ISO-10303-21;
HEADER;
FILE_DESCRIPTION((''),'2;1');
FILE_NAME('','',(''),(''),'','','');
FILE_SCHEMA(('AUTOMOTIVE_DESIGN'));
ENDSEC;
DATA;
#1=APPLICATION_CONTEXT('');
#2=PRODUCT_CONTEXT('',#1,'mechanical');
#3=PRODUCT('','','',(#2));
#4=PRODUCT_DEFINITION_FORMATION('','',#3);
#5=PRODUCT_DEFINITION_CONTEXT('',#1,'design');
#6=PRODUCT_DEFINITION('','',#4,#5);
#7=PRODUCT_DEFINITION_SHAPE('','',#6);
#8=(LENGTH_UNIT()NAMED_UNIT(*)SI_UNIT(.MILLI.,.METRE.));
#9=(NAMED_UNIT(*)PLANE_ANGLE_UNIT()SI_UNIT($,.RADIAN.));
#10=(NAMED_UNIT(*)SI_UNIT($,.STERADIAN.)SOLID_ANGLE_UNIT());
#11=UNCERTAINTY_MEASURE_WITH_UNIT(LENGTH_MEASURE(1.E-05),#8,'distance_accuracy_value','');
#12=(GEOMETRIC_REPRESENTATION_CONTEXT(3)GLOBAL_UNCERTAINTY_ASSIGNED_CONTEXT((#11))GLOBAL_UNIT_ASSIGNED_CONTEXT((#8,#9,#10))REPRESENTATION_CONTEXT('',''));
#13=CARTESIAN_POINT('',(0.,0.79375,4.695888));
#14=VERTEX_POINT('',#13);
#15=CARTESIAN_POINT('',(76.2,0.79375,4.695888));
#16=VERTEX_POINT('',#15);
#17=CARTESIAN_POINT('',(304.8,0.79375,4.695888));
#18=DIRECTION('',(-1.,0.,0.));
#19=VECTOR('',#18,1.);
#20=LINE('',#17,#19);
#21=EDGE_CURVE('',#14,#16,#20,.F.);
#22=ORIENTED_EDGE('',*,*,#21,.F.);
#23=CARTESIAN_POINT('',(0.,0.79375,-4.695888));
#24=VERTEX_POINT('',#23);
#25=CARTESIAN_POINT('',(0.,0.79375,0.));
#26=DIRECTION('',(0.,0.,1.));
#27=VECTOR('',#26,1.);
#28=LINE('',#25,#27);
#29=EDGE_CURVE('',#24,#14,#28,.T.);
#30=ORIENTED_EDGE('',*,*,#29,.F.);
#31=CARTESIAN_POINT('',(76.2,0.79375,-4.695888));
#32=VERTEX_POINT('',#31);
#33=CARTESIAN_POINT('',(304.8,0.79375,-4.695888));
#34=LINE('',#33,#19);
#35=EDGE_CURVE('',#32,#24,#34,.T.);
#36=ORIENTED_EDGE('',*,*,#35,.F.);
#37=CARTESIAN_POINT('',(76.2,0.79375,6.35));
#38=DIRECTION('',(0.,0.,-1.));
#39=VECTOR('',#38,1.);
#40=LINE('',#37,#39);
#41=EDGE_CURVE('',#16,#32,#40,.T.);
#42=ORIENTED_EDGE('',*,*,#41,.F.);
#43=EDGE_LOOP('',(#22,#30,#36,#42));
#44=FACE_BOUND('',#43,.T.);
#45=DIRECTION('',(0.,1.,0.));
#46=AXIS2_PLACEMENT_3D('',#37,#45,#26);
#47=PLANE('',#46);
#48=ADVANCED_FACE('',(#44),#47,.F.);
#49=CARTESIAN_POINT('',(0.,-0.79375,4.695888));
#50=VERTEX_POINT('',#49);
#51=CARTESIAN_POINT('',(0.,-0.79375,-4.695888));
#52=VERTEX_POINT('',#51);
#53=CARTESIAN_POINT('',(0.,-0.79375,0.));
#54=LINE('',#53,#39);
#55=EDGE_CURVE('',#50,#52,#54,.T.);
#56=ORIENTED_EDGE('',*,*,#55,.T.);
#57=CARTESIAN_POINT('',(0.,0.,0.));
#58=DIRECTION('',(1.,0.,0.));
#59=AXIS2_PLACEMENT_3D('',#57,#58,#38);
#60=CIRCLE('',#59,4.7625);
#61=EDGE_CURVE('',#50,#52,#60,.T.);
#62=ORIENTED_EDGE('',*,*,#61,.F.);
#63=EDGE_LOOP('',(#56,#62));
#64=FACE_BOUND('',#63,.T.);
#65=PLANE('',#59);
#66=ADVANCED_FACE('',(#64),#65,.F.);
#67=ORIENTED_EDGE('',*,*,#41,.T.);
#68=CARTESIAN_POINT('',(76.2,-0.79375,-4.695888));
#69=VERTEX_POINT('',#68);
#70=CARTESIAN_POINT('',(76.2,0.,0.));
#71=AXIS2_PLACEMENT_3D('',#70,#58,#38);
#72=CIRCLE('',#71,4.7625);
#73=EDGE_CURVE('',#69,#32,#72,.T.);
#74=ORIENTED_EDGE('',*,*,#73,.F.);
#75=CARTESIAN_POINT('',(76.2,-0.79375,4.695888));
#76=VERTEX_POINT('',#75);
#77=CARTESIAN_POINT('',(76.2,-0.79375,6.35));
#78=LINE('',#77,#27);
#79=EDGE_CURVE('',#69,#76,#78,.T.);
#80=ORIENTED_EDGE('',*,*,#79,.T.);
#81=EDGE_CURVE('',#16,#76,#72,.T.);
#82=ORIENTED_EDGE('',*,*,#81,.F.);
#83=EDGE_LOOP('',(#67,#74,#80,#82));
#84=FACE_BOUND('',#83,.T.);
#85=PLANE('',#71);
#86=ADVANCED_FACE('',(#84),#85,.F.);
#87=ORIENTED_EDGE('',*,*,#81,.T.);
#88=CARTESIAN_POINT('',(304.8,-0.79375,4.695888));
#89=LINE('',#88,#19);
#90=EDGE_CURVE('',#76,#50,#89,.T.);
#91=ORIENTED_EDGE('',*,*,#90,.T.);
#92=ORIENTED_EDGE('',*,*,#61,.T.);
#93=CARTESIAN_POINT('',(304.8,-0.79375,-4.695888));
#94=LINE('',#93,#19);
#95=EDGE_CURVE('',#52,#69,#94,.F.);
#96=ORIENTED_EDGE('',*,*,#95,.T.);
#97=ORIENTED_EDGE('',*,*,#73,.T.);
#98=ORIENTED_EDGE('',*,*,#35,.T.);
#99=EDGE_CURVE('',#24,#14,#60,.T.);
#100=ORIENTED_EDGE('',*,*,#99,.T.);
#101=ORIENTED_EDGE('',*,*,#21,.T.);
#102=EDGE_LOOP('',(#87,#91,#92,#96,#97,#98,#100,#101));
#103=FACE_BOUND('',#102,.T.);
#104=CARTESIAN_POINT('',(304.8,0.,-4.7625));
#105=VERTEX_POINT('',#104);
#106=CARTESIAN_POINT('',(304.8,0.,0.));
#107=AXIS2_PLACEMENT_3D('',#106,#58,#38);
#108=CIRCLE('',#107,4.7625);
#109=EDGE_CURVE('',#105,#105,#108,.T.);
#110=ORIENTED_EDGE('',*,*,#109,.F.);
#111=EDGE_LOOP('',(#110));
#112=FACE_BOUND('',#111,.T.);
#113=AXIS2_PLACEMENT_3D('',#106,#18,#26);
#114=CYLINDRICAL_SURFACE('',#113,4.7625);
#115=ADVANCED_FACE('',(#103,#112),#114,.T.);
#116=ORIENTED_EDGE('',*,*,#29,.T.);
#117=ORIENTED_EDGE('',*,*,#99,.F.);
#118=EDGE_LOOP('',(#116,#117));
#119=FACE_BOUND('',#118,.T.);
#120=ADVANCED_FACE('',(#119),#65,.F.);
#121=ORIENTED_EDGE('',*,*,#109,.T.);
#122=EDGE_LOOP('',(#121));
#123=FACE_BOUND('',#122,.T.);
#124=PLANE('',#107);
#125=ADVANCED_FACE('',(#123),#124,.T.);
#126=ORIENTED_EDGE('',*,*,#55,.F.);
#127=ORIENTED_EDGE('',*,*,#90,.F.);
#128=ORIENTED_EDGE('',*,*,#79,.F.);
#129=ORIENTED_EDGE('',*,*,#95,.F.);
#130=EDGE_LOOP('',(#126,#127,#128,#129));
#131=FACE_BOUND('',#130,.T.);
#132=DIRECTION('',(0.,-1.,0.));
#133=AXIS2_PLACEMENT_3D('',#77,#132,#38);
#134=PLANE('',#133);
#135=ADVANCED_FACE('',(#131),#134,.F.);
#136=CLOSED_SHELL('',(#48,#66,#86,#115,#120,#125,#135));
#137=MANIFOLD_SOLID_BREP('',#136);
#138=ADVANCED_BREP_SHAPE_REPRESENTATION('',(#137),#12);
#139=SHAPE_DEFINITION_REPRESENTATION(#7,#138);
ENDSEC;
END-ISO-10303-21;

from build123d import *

# Parameters (mm, degrees)
SKETCH1_R           = 4.7625
BOSS_EXTRUDE1_DEPTH = 304.8
SKETCH2_W           = 12.7
SKETCH2_H           = 1.5875
CUT_EXTRUDE1_DEPTH  = 76.2


with BuildPart() as part:
    # Sketch1 → Boss-Extrude1 (new body)
    with BuildSketch(Plane(origin=(0, 0, 0), x_dir=(0, 0, -1), z_dir=(1, 0, 0))):
        Circle(SKETCH1_R)
    extrude(amount=BOSS_EXTRUDE1_DEPTH)

    # Sketch2 → Cut-Extrude1 (cut)
    with BuildSketch(Plane.ZY):
        Rectangle(SKETCH2_W, SKETCH2_H)
    extrude(amount=-CUT_EXTRUDE1_DEPTH, mode=Mode.SUBTRACT)


solid = part.part
